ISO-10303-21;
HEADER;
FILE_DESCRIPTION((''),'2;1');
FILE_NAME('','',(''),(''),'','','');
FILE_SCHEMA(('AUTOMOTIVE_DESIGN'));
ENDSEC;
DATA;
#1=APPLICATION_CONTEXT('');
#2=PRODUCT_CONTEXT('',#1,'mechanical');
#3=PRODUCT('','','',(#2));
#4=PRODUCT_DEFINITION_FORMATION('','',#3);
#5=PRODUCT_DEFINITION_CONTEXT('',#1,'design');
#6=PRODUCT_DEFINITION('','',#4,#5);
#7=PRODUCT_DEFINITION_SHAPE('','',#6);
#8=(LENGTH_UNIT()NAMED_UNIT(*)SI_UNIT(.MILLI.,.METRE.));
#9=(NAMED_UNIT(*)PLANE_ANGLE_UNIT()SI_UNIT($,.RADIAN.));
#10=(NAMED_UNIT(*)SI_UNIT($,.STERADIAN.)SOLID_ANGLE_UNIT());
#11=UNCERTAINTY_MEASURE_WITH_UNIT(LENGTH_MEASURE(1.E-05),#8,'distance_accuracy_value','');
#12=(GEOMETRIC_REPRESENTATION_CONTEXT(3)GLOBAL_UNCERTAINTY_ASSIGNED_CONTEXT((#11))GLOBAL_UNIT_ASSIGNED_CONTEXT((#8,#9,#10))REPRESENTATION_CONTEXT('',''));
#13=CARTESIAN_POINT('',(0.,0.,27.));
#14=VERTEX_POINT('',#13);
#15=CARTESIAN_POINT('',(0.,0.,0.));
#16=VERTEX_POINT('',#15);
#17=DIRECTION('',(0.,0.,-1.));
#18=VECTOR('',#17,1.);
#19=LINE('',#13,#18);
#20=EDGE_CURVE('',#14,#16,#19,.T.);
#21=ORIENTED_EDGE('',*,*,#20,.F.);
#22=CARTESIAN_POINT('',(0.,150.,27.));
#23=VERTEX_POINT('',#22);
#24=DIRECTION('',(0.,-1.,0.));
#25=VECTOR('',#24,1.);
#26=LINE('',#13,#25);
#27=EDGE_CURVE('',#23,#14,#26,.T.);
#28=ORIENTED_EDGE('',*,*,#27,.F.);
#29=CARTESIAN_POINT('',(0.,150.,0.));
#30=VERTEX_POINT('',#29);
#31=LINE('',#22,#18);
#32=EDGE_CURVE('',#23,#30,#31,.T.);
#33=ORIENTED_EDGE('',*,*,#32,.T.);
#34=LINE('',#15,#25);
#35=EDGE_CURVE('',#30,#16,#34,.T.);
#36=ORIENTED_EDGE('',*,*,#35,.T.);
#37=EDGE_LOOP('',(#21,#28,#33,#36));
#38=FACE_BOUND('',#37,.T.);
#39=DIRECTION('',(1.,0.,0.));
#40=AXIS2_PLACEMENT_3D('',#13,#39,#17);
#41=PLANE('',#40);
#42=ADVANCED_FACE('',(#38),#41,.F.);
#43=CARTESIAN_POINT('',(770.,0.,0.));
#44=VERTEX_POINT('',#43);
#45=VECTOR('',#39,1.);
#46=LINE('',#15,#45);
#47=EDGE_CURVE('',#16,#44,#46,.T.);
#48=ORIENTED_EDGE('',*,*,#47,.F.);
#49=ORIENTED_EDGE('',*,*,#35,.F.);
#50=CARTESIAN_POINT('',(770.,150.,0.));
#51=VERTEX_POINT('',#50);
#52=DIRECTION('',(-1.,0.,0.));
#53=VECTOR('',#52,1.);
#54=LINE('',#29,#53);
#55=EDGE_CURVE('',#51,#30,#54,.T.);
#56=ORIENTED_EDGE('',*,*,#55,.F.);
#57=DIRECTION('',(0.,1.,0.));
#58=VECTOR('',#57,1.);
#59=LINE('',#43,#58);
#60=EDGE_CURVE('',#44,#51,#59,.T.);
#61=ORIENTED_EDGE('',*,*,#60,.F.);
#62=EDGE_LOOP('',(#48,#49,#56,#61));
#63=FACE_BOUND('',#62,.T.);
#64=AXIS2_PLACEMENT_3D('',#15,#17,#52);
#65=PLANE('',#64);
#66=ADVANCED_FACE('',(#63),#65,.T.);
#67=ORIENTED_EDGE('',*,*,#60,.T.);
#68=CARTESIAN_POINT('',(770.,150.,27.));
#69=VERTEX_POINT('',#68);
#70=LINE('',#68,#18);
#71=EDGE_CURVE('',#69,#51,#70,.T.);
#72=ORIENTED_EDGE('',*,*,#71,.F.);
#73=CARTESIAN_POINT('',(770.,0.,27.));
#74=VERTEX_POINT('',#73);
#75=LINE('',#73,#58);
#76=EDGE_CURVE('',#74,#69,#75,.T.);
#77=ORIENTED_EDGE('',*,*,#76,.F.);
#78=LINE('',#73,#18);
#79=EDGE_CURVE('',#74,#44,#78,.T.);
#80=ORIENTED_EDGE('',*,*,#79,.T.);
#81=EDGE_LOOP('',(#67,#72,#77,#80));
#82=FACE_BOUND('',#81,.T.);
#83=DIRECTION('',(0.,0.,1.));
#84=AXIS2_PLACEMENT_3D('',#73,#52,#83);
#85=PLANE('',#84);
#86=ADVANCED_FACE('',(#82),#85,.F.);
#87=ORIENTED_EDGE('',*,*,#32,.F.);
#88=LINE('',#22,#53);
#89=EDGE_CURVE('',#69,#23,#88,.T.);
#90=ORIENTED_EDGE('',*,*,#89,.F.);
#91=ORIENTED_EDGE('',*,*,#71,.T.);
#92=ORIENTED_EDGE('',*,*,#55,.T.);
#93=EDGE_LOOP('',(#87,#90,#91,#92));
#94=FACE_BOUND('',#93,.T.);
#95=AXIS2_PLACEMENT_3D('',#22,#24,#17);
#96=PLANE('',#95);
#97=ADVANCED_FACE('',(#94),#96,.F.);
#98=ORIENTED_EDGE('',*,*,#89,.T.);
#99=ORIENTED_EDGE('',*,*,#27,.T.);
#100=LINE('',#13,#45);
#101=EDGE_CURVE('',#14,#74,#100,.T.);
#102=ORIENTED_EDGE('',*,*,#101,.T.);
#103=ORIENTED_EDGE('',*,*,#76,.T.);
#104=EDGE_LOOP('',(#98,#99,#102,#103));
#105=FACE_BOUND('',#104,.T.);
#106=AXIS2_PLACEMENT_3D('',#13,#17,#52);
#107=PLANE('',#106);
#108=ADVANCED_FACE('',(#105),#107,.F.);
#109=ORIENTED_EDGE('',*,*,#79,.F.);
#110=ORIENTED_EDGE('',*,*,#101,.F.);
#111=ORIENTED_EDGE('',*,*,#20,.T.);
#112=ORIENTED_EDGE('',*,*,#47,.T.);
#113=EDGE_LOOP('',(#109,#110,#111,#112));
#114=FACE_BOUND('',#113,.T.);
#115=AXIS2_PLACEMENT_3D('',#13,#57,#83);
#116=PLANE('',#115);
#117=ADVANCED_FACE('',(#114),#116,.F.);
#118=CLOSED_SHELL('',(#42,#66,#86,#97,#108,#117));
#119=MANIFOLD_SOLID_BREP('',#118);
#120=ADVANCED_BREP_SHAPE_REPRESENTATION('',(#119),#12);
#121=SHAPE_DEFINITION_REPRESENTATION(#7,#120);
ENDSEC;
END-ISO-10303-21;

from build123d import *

# Parameters (mm, degrees)
ESQUISSE1_W        = 770
ESQUISSE1_H        = 150
BOSS_EXTRU_1_DEPTH = 27


with BuildPart() as part:
    # Esquisse1 → Boss.-Extru.1 (new body)
    with BuildSketch(Plane.XY):
        with Locations((385, 75)):
            Rectangle(ESQUISSE1_W, ESQUISSE1_H)
    extrude(amount=BOSS_EXTRU_1_DEPTH)


solid = part.part
